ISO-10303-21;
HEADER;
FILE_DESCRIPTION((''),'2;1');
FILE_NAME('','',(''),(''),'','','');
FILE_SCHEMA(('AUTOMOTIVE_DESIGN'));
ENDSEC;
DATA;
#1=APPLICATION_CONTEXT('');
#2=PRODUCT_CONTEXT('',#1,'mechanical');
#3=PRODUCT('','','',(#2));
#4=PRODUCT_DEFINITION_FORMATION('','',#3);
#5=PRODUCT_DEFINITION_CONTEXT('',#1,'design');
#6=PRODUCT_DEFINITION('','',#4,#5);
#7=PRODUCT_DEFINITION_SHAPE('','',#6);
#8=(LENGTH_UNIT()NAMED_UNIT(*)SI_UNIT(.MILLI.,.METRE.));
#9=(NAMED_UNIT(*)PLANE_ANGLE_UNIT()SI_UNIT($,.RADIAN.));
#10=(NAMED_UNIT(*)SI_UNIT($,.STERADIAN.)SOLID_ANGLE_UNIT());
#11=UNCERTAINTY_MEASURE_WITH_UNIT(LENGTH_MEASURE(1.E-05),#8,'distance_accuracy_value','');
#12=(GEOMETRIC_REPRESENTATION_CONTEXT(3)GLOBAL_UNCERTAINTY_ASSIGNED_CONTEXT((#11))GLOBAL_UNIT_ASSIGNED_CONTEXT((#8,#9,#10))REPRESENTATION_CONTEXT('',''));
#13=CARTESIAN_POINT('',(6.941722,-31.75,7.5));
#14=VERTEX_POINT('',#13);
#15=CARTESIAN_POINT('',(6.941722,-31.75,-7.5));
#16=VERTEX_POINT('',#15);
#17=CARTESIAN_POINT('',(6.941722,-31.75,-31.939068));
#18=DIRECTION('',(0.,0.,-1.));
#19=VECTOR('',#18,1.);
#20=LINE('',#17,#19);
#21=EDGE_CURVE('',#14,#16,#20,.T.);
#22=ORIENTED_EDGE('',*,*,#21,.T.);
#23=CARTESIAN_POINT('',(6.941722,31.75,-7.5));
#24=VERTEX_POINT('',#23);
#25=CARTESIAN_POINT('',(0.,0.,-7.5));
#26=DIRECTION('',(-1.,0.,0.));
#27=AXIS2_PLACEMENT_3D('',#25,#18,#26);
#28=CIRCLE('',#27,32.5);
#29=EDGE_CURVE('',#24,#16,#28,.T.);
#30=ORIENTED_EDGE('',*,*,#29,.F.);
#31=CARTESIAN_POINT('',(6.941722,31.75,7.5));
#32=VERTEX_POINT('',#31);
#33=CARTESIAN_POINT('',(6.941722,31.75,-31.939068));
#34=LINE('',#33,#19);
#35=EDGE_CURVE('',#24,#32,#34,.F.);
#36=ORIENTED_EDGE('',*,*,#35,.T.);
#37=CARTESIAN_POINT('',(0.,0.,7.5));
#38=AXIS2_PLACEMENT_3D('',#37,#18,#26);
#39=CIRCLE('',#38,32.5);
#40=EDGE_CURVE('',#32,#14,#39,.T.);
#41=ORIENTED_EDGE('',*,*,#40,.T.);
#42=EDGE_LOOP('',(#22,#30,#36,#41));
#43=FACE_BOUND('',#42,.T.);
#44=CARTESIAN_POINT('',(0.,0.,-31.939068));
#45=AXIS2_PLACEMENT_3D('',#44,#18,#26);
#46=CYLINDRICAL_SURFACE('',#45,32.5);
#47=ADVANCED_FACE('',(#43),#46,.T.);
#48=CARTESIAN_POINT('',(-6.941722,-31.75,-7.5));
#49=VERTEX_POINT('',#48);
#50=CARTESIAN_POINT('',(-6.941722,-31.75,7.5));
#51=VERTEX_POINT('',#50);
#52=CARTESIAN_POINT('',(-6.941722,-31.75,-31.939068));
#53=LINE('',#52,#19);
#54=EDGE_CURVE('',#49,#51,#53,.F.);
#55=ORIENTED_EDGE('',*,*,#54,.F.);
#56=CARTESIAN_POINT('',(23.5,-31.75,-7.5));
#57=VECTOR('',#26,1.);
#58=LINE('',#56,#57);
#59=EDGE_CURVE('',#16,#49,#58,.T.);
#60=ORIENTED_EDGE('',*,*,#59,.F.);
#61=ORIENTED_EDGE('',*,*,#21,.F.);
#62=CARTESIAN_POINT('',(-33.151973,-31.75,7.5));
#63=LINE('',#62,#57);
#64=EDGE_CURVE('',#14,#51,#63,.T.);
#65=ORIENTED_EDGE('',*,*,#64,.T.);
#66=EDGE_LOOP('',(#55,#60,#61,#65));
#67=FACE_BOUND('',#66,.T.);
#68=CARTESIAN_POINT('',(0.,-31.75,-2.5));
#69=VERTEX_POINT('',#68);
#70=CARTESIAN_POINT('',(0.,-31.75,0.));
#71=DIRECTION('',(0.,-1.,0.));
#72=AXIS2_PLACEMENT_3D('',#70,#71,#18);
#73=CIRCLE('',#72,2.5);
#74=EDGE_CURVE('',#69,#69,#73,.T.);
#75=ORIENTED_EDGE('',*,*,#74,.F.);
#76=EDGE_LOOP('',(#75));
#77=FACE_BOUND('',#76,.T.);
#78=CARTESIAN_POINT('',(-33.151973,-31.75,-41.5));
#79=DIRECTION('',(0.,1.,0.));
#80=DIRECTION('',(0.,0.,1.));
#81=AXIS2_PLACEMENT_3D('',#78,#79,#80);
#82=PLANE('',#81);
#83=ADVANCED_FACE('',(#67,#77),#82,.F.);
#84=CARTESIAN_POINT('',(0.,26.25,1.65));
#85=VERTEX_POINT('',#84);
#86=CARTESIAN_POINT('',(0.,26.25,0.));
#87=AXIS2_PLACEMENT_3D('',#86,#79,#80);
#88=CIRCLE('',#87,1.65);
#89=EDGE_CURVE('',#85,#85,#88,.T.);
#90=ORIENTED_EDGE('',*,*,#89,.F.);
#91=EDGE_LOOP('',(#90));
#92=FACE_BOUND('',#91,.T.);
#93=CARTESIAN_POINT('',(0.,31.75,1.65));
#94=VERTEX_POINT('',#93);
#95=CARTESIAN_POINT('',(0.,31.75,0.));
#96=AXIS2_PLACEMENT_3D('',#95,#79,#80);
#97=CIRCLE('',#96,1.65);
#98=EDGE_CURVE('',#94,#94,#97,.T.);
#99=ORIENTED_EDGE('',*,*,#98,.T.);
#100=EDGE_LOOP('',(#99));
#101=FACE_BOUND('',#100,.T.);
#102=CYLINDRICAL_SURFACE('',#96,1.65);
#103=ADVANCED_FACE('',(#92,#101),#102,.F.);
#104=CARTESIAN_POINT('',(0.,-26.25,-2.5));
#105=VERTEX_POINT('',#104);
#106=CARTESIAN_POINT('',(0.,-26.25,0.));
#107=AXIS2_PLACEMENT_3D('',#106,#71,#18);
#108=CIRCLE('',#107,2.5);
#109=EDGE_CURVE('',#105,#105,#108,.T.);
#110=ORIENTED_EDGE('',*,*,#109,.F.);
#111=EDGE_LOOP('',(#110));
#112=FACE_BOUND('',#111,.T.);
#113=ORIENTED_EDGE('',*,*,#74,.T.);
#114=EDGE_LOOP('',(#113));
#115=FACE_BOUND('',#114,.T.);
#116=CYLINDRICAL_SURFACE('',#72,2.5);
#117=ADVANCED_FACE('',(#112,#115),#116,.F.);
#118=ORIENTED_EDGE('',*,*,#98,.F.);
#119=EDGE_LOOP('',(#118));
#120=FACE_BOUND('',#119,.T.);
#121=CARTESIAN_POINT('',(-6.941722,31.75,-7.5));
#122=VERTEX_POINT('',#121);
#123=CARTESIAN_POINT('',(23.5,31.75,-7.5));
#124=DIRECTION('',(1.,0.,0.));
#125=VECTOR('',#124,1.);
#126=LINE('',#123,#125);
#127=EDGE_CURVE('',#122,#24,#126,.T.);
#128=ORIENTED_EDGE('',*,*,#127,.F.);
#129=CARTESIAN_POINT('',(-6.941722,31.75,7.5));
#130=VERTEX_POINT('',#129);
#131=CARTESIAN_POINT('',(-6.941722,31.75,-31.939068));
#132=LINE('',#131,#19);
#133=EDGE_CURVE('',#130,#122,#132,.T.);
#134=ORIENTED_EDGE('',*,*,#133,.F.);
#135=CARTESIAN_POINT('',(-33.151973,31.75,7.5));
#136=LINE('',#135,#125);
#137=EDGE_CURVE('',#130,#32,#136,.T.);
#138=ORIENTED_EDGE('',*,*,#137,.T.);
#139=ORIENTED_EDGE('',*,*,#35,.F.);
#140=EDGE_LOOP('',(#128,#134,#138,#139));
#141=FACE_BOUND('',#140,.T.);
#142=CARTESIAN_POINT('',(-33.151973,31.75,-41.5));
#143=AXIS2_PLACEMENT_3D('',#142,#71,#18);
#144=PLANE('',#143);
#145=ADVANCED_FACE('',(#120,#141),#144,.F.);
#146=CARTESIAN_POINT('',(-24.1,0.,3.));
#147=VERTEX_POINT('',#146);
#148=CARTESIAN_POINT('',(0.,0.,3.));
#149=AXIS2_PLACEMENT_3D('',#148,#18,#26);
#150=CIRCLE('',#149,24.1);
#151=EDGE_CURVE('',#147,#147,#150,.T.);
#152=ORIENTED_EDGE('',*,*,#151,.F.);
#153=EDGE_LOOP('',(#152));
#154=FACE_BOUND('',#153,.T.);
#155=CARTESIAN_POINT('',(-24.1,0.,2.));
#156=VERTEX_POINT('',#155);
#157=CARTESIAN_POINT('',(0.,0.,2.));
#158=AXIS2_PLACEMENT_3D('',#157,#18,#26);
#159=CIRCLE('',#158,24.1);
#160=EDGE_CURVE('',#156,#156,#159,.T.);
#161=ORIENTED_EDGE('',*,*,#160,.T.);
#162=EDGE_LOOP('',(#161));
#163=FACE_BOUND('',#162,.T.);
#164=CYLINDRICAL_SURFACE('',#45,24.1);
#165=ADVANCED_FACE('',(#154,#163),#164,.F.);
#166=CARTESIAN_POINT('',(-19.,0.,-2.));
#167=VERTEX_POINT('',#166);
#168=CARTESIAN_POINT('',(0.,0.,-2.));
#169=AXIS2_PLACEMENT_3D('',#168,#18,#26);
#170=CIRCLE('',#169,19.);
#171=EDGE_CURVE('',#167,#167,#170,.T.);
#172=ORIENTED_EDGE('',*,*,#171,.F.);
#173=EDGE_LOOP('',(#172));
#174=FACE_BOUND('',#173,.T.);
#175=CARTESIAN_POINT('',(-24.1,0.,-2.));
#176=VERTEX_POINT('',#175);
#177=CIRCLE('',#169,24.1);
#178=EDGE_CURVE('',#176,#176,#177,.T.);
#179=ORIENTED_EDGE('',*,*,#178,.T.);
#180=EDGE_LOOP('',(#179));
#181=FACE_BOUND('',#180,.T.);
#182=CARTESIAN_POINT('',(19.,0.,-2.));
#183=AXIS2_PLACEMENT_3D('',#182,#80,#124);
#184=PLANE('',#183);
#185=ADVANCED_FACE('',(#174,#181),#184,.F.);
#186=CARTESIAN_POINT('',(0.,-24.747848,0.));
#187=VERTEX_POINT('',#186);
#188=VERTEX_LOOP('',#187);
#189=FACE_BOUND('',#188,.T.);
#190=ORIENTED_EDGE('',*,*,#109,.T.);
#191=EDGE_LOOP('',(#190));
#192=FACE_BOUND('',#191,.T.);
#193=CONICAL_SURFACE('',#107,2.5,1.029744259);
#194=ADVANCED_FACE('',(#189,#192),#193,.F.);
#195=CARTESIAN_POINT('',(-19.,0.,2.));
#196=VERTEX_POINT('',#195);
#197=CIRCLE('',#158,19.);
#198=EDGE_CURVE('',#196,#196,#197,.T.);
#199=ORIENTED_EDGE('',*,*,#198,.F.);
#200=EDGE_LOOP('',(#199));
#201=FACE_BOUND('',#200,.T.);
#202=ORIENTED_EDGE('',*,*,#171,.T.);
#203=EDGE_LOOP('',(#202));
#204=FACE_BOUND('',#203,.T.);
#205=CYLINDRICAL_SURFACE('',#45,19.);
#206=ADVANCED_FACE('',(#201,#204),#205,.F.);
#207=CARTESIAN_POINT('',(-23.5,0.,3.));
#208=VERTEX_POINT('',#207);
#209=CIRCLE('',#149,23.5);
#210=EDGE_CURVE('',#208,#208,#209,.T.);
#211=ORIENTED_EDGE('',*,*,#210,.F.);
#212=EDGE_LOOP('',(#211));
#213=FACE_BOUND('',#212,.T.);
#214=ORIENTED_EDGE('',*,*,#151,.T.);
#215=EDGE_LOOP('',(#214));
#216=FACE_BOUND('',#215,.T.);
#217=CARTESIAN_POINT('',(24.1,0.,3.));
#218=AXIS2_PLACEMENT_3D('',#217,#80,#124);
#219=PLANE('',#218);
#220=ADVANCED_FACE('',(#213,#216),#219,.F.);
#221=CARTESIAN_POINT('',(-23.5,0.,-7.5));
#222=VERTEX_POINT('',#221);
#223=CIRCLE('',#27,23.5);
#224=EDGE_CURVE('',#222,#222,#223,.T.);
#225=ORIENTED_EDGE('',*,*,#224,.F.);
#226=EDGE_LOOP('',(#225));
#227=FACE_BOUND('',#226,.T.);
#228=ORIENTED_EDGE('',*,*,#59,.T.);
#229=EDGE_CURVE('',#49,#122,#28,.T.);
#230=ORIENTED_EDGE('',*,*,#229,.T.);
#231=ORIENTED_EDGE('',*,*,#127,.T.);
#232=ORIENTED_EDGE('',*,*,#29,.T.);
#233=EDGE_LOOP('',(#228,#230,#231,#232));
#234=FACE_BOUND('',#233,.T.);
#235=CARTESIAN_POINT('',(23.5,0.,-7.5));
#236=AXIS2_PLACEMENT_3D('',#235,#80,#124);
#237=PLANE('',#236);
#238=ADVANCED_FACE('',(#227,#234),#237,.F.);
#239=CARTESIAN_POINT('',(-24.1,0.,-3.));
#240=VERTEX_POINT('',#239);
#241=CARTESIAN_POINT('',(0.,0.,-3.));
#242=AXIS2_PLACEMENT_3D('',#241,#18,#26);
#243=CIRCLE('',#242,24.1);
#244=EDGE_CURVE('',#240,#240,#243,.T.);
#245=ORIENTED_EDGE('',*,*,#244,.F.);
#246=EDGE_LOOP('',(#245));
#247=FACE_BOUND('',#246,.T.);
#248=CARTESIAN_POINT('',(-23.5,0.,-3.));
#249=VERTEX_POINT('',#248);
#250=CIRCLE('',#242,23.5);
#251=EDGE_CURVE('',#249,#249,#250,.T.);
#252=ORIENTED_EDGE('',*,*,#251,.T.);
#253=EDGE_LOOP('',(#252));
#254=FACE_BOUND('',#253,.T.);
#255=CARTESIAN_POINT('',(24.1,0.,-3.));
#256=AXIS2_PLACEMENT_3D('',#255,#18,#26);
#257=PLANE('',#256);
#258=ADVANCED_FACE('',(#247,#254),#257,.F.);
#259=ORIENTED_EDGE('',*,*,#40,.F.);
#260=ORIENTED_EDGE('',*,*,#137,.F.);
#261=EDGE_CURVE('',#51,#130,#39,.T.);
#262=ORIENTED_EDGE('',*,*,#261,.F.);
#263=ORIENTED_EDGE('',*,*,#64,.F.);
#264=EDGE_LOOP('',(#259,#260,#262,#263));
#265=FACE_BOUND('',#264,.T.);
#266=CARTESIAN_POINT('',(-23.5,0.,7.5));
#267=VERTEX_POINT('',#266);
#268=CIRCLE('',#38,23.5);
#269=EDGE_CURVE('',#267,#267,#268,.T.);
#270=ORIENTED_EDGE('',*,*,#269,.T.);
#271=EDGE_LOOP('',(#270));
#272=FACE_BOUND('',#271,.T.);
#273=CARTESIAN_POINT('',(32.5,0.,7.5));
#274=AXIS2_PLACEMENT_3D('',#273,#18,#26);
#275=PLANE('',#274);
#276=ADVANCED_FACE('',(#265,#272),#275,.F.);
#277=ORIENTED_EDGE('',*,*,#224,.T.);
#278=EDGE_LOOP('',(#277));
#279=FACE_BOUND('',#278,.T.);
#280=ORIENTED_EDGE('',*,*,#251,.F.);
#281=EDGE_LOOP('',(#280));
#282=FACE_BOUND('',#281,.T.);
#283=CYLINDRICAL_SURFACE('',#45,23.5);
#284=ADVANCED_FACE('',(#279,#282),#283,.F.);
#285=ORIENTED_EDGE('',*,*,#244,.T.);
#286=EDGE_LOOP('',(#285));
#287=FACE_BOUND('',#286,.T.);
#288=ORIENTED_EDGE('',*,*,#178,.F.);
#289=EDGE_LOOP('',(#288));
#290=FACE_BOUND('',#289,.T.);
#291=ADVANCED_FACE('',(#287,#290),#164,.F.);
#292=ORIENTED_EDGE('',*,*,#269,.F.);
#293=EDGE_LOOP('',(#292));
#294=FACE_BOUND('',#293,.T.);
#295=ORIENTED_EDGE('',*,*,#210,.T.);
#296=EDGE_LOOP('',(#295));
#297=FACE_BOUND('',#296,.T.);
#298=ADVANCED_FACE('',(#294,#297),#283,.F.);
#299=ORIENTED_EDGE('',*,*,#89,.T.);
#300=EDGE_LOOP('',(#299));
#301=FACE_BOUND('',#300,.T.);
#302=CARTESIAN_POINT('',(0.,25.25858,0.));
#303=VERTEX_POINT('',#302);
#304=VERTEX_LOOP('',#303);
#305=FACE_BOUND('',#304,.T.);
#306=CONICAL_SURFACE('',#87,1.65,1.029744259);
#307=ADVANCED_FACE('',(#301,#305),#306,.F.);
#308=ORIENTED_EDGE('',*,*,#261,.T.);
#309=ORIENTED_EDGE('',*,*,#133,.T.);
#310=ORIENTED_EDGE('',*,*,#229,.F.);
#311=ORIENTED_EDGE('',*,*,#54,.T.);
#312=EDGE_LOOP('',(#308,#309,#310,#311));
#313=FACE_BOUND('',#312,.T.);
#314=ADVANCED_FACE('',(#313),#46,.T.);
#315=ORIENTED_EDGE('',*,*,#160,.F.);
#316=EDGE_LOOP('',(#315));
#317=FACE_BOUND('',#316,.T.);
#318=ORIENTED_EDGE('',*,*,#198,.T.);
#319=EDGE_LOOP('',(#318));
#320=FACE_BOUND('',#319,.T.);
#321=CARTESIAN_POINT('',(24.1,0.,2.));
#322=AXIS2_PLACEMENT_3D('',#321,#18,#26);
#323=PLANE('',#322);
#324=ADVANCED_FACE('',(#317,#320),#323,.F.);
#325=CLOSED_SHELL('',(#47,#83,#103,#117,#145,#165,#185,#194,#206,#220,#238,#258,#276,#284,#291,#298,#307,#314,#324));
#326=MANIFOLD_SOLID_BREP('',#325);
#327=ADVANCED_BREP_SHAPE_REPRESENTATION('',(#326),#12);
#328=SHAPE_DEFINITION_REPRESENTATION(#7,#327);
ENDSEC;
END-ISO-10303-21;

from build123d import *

# Parameters (mm, degrees)
SKETCH_2_W             = 64.02174429
SKETCH_2_H             = 9.248919907
CUT_EXTRUDE_1_DEPTH    = 49
HOLE_WIZARD_M4_2_D     = 3.3
HOLE_WIZARD_M4_2_DEPTH = 5.5
HOLE_WIZARD_M4_2_TIP   = 0.991420021
HOLE_WIZARD_M6_2_D     = 5
HOLE_WIZARD_M6_2_DEPTH = 5.5
HOLE_WIZARD_M6_2_TIP   = 1.502151548


with BuildPart() as part:
    # 草图1 → 旋转1 (revolve)
    with BuildSketch(Plane(origin=(0, 0, 0), x_dir=(1, 0, 0), z_dir=(0, 1, 0)), mode=Mode.PRIVATE) as revolve_1_sk:
        Polygon((32.5, 7.5), (32.5, -7.5), (23.5, -7.5), (23.5, -3), (24.1, -3), (24.1, -2), (19, -2), (19, 2), (24.1, 2), (24.1, 3), (23.5, 3), (23.5, 7.5), align=None)
    revolve(revolve_1_sk.sketch.rotate(Axis((0, 0, -31.9390681), (0, 0, 1)), 180), axis=Axis((0, 0, -31.9390681), (0, 0, 1)))  # turned: the seam where the file's is

    # 草图2 → 切除-拉伸1 (cut)
    with BuildSketch(Plane.XY.offset(7.5)):
        with Locations((-1.141100508, 36.374459954)):
            Rectangle(SKETCH_2_W, SKETCH_2_H)
        with Locations((-1.141100508, -36.374459954)):
            Rectangle(SKETCH_2_W, SKETCH_2_H)
    extrude(amount=-CUT_EXTRUDE_1_DEPTH, mode=Mode.SUBTRACT)

    # M4 螺纹孔2
    with Locations(Plane(origin=(0, 31.75, 0), x_dir=(1, 0, 0), z_dir=(0, 1, 0))):
        with Locations((0, 0)):
            Hole(HOLE_WIZARD_M4_2_D / 2, depth=HOLE_WIZARD_M4_2_DEPTH)
            with Locations((0, 0, -(HOLE_WIZARD_M4_2_DEPTH + HOLE_WIZARD_M4_2_TIP / 2))):  # 118° drill point
                Cone(0, HOLE_WIZARD_M4_2_D / 2, HOLE_WIZARD_M4_2_TIP, mode=Mode.SUBTRACT)

    # M6 螺纹孔2
    with Locations(Plane(origin=(0, -31.75, 0), x_dir=(-1, 0, 0), z_dir=(0, -1, 0))):
        with Locations((0, 0)):
            Hole(HOLE_WIZARD_M6_2_D / 2, depth=HOLE_WIZARD_M6_2_DEPTH)
            with Locations((0, 0, -(HOLE_WIZARD_M6_2_DEPTH + HOLE_WIZARD_M6_2_TIP / 2))):  # 118° drill point
                Cone(0, HOLE_WIZARD_M6_2_D / 2, HOLE_WIZARD_M6_2_TIP, mode=Mode.SUBTRACT)


solid = part.part
